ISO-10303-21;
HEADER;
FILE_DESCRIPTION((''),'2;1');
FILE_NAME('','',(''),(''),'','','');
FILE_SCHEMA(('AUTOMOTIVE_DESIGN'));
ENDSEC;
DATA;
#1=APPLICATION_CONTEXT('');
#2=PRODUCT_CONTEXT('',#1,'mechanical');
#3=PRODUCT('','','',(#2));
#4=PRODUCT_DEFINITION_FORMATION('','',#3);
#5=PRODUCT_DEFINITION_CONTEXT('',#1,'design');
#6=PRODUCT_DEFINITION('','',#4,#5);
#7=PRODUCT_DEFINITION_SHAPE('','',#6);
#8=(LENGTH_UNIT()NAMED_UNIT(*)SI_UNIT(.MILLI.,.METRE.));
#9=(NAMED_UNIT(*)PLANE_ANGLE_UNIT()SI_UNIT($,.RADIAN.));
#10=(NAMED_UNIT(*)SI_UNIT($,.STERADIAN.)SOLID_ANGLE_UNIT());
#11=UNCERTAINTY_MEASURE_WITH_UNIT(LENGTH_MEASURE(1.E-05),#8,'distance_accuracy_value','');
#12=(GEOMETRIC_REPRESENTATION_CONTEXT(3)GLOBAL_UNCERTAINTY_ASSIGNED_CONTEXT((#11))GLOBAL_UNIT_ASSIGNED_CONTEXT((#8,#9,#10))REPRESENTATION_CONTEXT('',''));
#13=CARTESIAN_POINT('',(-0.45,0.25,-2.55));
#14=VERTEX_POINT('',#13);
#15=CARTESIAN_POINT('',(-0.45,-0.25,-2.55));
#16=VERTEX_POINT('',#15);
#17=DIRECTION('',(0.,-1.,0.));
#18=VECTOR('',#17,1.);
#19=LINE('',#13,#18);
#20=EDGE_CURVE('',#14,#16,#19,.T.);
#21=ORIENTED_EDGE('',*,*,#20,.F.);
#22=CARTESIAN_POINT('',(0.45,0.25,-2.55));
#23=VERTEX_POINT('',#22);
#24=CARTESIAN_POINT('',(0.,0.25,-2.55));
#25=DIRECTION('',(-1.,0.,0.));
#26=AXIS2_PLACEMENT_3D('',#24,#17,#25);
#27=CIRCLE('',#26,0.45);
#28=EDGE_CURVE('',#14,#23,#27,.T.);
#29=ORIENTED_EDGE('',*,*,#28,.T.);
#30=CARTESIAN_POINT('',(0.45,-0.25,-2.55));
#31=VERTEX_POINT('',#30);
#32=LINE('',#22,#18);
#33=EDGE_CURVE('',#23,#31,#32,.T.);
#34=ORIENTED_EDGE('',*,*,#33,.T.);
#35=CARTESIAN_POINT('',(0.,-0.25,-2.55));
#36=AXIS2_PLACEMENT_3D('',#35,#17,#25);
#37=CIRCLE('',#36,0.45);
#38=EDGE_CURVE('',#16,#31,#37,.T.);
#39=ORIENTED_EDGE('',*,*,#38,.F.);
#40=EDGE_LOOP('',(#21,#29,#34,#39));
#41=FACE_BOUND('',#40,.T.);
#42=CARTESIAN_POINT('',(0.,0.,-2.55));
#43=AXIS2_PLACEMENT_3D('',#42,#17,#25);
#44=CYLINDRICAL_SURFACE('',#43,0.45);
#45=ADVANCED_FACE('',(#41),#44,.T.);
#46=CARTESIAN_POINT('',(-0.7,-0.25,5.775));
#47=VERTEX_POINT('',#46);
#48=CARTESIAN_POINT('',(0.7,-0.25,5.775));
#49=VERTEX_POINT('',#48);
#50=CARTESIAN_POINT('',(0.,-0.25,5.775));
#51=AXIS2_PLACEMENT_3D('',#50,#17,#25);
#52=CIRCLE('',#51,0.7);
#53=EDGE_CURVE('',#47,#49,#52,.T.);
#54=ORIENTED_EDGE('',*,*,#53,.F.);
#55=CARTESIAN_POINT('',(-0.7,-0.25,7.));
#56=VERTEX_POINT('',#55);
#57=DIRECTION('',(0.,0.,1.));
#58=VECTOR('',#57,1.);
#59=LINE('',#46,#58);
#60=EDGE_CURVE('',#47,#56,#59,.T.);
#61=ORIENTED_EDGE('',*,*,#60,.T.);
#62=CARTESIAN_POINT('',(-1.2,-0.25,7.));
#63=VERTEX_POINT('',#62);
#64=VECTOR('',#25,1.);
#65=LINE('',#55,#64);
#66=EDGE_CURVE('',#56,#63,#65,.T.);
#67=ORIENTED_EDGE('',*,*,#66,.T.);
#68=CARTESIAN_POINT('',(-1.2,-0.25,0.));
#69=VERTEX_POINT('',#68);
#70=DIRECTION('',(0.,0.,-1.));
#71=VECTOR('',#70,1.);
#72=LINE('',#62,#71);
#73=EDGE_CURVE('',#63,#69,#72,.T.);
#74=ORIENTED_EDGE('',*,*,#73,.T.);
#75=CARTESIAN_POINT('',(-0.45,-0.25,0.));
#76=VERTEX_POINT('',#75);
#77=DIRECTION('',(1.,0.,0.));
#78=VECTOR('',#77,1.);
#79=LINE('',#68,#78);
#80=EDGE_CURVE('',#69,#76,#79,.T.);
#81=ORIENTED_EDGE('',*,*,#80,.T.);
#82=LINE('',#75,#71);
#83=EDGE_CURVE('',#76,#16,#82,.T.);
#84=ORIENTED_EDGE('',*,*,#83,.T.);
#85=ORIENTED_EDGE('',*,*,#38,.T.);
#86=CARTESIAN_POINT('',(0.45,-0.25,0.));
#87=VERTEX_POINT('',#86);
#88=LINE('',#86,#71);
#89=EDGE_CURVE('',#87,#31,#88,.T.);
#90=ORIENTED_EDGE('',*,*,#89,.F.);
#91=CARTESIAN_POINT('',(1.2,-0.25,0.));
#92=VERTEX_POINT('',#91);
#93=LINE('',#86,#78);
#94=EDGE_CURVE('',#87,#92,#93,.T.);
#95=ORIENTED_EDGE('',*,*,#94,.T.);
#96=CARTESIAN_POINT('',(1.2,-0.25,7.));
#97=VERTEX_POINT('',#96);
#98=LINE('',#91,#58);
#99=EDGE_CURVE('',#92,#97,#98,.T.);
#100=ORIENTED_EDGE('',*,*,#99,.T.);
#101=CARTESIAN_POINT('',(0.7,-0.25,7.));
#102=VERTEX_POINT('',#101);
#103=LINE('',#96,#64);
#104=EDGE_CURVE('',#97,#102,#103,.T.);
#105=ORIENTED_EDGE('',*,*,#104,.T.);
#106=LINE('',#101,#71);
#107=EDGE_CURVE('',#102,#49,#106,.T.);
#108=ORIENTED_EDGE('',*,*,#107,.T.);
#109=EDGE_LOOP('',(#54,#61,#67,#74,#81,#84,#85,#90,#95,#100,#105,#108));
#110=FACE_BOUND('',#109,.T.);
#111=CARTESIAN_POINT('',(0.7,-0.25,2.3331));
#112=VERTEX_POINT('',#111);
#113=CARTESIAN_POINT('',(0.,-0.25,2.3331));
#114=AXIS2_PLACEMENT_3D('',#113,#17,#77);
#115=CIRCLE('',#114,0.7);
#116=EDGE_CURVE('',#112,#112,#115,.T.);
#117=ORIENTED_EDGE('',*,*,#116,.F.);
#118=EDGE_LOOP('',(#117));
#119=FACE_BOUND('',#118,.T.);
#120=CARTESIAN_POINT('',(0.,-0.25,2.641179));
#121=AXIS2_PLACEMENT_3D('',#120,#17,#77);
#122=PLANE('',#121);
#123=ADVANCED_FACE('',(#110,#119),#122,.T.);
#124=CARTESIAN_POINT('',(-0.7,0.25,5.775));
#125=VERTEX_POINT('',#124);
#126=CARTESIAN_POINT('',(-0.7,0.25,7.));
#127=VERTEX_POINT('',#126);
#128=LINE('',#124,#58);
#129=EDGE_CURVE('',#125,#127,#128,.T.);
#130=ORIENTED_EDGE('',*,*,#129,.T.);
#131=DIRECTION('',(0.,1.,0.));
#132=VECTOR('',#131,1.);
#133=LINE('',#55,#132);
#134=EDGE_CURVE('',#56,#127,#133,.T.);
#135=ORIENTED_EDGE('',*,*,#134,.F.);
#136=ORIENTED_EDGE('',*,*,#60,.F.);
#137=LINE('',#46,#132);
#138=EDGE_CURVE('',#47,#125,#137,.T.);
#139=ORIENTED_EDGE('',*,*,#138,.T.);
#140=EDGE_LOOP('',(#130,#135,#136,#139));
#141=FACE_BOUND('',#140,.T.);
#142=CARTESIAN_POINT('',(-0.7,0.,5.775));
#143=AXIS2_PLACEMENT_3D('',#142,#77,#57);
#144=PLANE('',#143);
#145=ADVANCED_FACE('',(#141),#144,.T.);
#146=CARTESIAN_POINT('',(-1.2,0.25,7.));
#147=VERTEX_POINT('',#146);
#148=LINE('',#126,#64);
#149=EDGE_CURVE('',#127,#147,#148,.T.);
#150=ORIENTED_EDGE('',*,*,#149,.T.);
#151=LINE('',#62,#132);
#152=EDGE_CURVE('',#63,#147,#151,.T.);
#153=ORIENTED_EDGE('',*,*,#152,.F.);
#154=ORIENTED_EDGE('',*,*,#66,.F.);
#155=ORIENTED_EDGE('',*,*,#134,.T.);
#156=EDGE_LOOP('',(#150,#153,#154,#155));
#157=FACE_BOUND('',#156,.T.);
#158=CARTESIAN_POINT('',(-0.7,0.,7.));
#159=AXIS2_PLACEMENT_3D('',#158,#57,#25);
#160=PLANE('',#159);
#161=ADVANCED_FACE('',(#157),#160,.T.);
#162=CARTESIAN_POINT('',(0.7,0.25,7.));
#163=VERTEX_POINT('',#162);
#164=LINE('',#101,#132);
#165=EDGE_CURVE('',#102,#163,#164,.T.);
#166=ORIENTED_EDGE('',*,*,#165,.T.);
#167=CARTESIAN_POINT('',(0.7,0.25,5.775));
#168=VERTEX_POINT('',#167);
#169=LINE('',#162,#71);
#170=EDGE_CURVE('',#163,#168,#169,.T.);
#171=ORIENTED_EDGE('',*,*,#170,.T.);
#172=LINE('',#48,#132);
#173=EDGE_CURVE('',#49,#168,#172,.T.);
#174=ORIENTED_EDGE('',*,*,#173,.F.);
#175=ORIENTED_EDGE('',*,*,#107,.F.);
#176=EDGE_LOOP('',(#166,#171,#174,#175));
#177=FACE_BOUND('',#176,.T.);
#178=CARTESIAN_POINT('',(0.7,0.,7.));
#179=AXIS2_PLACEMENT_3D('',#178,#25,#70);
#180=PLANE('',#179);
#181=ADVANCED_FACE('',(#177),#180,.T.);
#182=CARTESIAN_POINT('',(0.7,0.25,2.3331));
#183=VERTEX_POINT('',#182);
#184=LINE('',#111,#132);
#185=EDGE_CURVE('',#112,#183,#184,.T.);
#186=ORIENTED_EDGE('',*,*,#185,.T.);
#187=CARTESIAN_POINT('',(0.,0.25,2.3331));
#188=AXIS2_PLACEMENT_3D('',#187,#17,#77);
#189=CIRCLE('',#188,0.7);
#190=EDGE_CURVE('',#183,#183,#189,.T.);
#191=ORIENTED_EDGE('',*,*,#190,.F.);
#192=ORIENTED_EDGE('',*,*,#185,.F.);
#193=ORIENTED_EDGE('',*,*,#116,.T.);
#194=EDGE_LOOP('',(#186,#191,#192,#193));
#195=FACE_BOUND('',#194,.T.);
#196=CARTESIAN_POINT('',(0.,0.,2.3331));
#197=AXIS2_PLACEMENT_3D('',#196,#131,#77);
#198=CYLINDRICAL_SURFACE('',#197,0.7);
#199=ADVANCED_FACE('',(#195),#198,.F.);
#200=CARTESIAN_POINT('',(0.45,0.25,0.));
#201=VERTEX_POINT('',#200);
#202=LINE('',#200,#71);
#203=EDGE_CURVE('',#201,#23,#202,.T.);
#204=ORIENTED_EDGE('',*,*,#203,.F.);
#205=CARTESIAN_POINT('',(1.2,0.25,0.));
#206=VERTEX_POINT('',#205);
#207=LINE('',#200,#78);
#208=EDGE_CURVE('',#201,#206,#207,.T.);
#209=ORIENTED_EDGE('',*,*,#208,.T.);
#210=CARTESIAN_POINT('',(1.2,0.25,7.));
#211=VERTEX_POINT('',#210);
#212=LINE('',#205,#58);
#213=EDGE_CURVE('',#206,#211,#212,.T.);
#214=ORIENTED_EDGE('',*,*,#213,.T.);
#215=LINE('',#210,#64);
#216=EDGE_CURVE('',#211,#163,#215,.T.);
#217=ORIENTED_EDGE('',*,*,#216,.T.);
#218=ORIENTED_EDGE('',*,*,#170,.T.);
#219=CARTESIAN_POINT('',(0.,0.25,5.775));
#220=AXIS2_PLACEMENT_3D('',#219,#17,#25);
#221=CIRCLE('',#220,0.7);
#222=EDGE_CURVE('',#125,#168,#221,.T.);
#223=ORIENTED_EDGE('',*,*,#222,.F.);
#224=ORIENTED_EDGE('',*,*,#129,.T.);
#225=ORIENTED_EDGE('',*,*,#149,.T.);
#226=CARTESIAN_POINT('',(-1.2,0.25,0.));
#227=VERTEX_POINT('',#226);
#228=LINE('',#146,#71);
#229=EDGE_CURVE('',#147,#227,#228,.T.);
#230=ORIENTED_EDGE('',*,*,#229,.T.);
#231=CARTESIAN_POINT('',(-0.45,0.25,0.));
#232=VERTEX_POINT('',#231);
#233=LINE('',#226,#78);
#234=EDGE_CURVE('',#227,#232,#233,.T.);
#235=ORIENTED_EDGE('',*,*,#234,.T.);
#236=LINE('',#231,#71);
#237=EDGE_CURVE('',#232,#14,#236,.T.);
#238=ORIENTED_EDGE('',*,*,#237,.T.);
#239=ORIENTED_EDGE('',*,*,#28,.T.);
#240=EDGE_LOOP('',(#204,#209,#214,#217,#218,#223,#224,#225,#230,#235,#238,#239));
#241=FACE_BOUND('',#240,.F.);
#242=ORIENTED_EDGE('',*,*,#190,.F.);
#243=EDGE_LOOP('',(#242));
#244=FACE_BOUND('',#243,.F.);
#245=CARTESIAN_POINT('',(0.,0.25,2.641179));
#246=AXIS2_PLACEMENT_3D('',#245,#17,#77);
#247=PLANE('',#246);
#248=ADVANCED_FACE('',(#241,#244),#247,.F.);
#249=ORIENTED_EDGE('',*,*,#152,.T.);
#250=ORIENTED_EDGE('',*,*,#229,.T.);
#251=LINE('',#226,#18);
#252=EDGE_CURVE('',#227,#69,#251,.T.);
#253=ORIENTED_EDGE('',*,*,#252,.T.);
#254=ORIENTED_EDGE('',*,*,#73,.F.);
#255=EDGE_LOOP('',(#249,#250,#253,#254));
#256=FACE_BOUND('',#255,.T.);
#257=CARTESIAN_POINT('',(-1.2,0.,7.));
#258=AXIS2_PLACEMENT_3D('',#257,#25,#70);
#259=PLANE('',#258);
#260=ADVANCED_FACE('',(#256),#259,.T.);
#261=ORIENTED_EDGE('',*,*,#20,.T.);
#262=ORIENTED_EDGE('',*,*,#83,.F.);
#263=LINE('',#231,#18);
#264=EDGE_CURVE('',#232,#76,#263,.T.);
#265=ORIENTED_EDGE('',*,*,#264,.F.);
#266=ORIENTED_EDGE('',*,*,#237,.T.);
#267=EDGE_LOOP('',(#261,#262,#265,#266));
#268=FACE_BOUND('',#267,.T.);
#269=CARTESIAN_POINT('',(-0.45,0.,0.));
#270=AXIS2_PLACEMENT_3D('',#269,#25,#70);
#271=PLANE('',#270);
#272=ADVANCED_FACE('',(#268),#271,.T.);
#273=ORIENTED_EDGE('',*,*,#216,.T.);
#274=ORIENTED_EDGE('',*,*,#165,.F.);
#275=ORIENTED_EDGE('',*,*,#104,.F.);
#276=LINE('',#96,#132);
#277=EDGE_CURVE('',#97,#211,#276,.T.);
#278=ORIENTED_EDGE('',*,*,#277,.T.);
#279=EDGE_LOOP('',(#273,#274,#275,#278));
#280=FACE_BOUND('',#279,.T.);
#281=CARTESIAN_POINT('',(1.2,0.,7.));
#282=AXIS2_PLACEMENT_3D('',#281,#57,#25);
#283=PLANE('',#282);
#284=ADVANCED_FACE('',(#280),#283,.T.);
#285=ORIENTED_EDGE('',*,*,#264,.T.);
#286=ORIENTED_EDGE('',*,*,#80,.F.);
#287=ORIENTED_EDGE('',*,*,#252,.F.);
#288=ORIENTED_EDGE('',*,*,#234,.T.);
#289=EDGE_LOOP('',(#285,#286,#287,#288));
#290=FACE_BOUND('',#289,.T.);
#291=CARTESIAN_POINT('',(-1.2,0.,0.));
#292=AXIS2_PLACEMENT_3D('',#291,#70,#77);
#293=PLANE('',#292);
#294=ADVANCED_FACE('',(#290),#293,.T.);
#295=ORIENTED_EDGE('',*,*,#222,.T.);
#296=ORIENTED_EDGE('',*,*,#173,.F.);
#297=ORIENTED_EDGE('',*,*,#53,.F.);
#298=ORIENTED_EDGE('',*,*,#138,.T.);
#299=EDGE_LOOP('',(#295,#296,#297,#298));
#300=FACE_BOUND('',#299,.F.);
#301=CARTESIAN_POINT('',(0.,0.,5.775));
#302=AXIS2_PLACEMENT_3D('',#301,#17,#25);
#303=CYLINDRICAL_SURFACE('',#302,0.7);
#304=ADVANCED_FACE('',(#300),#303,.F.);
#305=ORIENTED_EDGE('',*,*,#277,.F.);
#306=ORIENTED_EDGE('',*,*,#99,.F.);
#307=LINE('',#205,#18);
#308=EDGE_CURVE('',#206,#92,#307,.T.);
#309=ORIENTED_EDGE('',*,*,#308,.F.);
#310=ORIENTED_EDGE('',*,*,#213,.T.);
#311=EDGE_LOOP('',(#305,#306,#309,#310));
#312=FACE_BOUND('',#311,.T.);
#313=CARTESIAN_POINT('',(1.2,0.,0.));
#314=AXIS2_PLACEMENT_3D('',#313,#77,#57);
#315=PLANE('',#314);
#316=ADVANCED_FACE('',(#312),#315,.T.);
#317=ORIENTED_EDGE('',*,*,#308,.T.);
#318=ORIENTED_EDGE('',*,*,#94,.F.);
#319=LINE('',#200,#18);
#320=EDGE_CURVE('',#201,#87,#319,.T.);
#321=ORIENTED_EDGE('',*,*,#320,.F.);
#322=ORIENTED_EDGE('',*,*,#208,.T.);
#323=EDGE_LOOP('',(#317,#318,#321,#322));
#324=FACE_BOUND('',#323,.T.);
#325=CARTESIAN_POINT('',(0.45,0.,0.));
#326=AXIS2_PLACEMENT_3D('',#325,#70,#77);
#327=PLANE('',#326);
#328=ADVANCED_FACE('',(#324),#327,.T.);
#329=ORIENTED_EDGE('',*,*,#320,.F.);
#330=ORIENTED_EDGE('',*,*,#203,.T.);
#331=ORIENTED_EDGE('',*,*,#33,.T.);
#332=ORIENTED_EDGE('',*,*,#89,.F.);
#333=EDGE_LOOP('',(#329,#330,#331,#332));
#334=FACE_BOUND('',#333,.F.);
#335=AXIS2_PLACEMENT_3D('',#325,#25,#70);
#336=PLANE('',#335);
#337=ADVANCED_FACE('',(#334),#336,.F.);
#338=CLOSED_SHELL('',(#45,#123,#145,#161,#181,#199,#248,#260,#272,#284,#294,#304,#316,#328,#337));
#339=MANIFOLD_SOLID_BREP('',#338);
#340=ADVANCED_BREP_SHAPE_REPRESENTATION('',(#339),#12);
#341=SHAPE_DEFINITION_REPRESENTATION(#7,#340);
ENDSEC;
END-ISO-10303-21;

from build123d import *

# Parameters (mm, degrees)
SKETCH_R  = 0.7
PAD_DEPTH = 0.25


with BuildPart() as part:
    # Sketch → Pad (new body, symmetric)
    with BuildSketch(Plane.XZ):
        with BuildLine():
            Line((-1.2, 7), (-1.2, 0))
            Line((-1.2, 0), (-0.45, 0))
            Line((-0.45, 0), (-0.45, -2.55))
            ThreePointArc((-0.45, -2.55), (0, -3), (0.45, -2.55))
            Line((0.45, 0), (0.45, -2.55))
            Line((0.45, 0), (1.2, 0))
            Line((1.2, 0), (1.2, 7))
            Line((1.2, 7), (0.7, 7))
            Line((0.7, 7), (0.7, 5.775))
            ThreePointArc((-0.7, 5.775), (0, 5.075), (0.7, 5.775))
            Line((-0.7, 5.775), (-0.7, 7))
            Line((-0.7, 7), (-1.2, 7))
        make_face()
        with Locations((0, 2.3331)):
            Circle(SKETCH_R, mode=Mode.SUBTRACT)
    extrude(amount=PAD_DEPTH, both=True)


solid = part.part
